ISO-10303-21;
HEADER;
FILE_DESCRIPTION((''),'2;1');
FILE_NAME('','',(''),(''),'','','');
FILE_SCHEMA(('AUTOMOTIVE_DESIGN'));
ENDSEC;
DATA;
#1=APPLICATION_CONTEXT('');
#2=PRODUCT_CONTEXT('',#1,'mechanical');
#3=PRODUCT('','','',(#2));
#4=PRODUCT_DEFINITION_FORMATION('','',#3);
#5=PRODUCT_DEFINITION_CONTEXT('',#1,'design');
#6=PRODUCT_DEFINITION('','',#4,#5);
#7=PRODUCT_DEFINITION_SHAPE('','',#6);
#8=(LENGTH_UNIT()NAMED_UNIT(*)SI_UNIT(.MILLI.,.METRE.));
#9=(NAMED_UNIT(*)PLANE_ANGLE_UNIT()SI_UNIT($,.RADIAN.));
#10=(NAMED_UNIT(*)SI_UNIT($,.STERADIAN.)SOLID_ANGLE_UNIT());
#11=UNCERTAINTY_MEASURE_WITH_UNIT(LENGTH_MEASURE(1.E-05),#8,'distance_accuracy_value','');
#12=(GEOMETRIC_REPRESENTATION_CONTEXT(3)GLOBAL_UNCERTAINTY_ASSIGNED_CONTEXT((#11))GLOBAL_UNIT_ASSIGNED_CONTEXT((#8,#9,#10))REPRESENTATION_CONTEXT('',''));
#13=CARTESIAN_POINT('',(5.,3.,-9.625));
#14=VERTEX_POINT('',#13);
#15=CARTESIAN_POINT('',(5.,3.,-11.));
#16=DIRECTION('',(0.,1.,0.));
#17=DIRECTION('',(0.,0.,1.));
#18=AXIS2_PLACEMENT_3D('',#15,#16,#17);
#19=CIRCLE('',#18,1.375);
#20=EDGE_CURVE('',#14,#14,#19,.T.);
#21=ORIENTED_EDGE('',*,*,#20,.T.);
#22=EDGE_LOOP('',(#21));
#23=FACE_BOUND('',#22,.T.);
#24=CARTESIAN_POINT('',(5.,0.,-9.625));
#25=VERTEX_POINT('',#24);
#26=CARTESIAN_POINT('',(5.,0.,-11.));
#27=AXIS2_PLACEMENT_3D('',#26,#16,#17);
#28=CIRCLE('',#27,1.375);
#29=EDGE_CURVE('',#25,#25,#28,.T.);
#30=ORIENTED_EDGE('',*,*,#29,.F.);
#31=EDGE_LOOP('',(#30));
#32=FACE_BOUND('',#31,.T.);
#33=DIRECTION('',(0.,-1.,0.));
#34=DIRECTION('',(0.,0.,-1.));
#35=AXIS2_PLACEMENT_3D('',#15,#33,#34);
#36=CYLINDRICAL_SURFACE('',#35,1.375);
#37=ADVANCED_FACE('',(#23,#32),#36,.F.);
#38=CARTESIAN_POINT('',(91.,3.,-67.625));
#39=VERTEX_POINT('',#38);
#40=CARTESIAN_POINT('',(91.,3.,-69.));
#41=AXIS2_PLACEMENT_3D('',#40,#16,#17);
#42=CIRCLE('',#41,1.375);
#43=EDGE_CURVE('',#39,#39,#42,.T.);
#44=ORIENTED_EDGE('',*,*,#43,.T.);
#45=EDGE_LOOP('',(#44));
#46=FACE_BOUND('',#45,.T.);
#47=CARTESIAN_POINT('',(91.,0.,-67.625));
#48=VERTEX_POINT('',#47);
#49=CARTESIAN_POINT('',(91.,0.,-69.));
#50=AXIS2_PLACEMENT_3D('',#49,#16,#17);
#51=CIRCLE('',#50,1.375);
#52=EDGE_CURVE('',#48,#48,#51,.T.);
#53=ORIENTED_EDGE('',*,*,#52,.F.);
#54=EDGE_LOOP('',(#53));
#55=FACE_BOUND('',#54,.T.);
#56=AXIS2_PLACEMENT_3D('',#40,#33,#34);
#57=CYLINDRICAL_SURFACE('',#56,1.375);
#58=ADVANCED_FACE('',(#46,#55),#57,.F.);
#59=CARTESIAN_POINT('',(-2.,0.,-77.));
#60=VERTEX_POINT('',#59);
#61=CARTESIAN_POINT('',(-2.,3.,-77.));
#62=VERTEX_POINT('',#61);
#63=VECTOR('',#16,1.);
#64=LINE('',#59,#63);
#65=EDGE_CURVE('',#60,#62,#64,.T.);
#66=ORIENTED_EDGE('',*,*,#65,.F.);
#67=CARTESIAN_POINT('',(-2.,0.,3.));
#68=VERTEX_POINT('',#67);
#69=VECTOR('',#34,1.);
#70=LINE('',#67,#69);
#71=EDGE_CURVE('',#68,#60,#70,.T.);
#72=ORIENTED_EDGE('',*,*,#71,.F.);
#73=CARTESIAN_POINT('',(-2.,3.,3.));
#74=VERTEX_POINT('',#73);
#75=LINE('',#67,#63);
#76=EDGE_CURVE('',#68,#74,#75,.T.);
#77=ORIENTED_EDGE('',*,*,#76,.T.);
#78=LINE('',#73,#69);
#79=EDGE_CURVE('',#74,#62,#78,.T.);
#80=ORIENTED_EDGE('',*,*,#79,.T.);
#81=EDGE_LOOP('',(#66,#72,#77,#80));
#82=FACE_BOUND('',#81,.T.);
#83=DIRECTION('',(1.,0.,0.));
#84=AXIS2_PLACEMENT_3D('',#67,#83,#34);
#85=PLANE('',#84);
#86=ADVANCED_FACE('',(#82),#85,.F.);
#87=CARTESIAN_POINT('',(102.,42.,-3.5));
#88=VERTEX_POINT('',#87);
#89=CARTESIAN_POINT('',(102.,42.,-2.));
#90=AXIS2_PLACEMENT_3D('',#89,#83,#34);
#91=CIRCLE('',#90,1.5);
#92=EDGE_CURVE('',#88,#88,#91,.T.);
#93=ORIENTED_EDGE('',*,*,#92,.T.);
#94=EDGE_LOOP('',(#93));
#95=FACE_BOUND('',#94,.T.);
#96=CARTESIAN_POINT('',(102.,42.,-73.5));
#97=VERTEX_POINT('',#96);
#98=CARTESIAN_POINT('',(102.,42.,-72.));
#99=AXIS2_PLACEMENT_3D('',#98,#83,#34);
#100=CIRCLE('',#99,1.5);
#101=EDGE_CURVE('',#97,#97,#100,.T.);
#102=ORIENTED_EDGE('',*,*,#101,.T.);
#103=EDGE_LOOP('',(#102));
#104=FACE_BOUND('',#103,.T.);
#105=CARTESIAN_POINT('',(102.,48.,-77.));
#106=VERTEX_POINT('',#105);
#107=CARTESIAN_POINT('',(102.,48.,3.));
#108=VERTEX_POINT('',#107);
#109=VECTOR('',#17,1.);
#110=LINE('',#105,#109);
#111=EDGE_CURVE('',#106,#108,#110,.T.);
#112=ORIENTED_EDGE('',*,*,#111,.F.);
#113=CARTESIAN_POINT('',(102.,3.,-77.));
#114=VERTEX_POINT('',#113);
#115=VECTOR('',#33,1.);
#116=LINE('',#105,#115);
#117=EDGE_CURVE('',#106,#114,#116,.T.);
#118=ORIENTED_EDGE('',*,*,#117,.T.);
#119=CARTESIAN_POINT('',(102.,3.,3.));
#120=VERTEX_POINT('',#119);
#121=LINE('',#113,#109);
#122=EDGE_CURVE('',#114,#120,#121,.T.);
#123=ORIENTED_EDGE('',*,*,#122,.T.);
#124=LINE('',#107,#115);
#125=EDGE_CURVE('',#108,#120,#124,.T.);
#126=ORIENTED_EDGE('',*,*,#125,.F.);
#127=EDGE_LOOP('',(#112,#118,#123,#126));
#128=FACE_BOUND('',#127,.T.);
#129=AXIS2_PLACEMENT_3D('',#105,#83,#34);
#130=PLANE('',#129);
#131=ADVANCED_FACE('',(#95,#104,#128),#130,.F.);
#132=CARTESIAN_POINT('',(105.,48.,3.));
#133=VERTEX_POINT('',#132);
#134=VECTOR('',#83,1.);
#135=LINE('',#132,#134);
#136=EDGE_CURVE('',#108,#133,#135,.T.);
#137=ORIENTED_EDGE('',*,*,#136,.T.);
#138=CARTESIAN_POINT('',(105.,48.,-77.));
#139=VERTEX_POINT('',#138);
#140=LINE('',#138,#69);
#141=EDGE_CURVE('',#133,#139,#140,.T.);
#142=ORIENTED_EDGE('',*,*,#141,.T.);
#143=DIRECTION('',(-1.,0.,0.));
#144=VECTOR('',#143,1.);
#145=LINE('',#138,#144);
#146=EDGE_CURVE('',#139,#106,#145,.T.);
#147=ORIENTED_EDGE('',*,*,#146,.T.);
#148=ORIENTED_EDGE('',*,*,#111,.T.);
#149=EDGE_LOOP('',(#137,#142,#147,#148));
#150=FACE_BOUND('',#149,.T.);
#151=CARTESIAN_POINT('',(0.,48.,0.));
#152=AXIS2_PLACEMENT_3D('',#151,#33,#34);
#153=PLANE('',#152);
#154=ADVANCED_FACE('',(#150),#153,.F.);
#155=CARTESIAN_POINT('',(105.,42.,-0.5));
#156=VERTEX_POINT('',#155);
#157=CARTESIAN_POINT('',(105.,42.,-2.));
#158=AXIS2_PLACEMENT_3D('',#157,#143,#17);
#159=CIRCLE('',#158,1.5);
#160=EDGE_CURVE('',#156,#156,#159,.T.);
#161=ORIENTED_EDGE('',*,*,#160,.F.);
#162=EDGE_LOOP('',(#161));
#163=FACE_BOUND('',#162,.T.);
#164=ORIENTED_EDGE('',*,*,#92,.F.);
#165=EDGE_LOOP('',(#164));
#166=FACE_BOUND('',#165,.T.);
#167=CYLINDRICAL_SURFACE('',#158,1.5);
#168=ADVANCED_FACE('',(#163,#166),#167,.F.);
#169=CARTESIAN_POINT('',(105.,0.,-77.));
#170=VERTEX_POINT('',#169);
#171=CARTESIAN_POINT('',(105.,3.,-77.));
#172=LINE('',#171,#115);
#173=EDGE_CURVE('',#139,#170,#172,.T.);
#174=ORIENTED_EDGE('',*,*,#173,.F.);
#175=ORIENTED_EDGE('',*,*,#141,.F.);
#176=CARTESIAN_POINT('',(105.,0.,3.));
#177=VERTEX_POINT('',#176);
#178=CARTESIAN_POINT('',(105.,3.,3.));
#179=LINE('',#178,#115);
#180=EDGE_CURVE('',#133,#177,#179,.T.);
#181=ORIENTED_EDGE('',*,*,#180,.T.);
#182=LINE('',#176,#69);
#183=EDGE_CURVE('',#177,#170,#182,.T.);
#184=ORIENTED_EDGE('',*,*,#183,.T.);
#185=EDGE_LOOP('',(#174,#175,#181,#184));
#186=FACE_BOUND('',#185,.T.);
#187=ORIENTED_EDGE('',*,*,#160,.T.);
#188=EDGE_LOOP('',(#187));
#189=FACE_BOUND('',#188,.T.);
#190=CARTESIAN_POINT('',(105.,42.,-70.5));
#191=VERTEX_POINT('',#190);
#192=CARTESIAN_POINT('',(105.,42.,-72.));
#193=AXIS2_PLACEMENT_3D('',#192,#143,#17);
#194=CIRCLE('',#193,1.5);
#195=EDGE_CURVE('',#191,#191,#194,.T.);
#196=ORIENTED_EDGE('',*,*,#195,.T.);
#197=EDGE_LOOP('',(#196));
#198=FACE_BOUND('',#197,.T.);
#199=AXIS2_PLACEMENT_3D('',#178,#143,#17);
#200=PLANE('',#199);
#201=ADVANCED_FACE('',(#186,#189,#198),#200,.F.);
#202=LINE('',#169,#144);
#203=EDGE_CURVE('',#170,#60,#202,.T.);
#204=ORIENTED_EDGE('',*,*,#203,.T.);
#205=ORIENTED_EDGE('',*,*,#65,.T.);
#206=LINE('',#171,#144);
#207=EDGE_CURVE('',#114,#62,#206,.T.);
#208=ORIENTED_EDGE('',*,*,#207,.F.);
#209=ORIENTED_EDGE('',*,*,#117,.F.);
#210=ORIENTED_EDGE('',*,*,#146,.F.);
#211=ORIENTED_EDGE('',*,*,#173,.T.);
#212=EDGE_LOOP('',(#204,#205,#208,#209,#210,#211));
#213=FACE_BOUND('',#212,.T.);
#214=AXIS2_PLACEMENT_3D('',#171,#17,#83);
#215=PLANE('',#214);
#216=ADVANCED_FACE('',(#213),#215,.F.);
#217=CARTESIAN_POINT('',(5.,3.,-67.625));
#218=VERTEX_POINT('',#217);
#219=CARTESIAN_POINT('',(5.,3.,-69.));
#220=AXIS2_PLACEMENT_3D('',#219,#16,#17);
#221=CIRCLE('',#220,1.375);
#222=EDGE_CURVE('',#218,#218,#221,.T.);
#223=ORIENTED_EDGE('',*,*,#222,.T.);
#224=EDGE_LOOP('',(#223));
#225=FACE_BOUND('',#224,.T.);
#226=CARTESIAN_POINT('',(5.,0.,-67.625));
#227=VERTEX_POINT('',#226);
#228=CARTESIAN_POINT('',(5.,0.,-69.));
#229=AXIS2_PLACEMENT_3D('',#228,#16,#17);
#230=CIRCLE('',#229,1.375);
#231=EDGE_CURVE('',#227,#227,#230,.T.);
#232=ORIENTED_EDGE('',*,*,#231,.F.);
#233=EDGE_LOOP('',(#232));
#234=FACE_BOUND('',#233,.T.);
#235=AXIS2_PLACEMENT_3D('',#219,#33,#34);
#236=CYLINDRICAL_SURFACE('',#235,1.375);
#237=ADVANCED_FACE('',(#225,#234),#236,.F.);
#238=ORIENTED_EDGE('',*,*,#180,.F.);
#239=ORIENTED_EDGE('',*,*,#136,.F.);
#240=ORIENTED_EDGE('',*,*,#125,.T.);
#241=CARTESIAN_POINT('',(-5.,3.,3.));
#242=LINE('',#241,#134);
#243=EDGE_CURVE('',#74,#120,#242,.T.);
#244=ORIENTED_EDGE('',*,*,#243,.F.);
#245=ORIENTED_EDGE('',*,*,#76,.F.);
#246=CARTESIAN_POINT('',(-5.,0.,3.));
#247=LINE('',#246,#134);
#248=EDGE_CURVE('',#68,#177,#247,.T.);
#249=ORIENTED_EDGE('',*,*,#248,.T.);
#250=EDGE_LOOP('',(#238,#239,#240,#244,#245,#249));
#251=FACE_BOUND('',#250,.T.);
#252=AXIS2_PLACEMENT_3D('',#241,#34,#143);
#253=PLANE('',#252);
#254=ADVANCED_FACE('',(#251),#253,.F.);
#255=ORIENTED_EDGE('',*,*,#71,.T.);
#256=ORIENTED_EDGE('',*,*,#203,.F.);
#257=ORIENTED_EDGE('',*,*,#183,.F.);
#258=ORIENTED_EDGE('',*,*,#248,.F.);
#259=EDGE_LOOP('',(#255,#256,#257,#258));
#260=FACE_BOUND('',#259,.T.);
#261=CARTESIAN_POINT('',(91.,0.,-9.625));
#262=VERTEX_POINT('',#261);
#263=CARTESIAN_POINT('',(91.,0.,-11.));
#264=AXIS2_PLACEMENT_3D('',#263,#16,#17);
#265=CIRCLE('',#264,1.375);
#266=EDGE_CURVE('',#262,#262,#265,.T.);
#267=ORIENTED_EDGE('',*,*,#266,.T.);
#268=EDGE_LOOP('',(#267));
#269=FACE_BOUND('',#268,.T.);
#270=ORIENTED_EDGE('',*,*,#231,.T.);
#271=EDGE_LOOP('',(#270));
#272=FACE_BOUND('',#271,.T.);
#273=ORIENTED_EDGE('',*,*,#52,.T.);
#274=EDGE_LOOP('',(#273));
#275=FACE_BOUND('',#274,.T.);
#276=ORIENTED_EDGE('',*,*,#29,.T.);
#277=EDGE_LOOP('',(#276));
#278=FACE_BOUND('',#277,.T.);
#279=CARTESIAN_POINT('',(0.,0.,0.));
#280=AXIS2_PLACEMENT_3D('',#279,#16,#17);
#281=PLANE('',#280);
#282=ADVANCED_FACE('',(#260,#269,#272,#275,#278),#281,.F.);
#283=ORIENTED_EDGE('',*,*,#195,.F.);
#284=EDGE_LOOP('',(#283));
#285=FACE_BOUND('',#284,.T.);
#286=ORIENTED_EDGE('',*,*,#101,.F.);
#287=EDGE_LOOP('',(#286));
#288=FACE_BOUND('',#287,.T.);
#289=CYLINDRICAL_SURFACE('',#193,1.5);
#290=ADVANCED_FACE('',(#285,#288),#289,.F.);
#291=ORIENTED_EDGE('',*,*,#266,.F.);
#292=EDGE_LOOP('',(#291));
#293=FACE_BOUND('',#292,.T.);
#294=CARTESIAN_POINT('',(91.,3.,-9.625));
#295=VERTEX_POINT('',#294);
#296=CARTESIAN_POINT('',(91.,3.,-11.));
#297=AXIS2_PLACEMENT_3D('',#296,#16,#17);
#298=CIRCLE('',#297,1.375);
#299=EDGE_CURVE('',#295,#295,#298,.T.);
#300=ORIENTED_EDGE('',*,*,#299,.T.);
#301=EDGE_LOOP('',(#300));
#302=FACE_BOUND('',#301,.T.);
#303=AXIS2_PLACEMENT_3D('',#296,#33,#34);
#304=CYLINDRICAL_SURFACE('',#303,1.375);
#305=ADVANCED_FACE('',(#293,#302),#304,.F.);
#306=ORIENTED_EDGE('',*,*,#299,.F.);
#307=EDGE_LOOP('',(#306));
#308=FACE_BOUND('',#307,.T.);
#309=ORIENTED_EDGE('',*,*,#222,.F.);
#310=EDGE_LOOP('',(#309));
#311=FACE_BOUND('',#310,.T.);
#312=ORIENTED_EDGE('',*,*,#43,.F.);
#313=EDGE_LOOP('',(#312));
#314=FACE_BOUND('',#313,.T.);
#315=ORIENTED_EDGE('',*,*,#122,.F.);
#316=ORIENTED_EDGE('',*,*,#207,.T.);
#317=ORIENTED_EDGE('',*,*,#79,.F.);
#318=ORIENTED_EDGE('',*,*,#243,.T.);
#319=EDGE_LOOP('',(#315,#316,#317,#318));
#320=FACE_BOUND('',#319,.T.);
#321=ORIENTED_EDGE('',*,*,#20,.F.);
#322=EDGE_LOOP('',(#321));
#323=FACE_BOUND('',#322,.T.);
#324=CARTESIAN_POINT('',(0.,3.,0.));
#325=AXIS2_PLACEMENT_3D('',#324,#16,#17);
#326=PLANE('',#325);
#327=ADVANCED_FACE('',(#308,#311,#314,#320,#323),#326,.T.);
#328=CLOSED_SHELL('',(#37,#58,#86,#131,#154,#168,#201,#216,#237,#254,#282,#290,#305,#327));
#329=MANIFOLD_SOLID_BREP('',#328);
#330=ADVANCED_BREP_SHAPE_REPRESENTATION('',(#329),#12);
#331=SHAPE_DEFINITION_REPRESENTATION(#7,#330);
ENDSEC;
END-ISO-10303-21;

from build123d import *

# Parameters (mm, degrees)
SKETCH1_W               = 110
SKETCH1_H               = 80
SKETCH1_R               = 1.375
BOSS_EXTRUDE1_DEPTH     = 3
SKETCH3_W               = 3
SKETCH3_H               = 80
BOSS_EXTRUDE2_DEPTH     = 45
CUT_EXTRUDE1_DEPTH      = 141.292551477
CUT_EXTRUDE1_DEPTH_BACK = 141.292551477
SKETCH4_R               = 1.5
CUT_EXTRUDE2_DEPTH      = 138.764291455
CUT_EXTRUDE2_DEPTH_BACK = 138.764291455
SKETCH5_W               = 3
SKETCH5_H               = 80


with BuildPart() as part:
    # Sketch1 → Boss-Extrude1 (new body)
    with BuildSketch(Plane(origin=(0, 0, 0), x_dir=(1, 0, 0), z_dir=(0, 1, 0))):
        with Locations((50, 37)):
            Rectangle(SKETCH1_W, SKETCH1_H)
        with Locations(Location((5, 11, 0), (0, 0, 270))):
            Circle(SKETCH1_R, mode=Mode.SUBTRACT)
        with Locations(Location((5, 69, 0), (0, 0, 270))):
            Circle(SKETCH1_R, mode=Mode.SUBTRACT)
        with Locations(Location((91, 69, 0), (0, 0, 270))):
            Circle(SKETCH1_R, mode=Mode.SUBTRACT)
        with Locations(Location((91, 11, 0), (0, 0, 270))):
            Circle(SKETCH1_R, mode=Mode.SUBTRACT)
    extrude(amount=BOSS_EXTRUDE1_DEPTH)

    # Sketch3 → Boss-Extrude2 (add)
    with BuildSketch(Plane(origin=(0, 3, 0), x_dir=(1, 0, 0), z_dir=(0, 1, 0))):
        with Locations((-3.5, 37)):
            Rectangle(SKETCH3_W, SKETCH3_H)
        with Locations((103.5, 37)):
            Rectangle(SKETCH3_W, SKETCH3_H)
    extrude(amount=BOSS_EXTRUDE2_DEPTH)

    # Sketch4 → Cut-Extrude1 (cut, two sides: drawn at the far end of the back side and taken through both)
    with BuildSketch(Plane.ZY.offset(-102).offset(-CUT_EXTRUDE1_DEPTH_BACK)):
        with Locations((-72, 42)):
            Circle(SKETCH4_R)
        with Locations((-2, 42)):
            Circle(SKETCH4_R)
    extrude(amount=CUT_EXTRUDE1_DEPTH + CUT_EXTRUDE1_DEPTH_BACK, mode=Mode.SUBTRACT)

    # Sketch5 → Cut-Extrude2 (cut, two sides: drawn at the far end of the back side and taken through both)
    with BuildSketch(Plane(origin=(0, 3, 0), x_dir=(1, 0, 0), z_dir=(0, 1, 0)).offset(-CUT_EXTRUDE2_DEPTH_BACK)):
        with Locations((-3.5, 37)):
            Rectangle(SKETCH5_W, SKETCH5_H)
    extrude(amount=CUT_EXTRUDE2_DEPTH + CUT_EXTRUDE2_DEPTH_BACK, mode=Mode.SUBTRACT)


solid = part.part
